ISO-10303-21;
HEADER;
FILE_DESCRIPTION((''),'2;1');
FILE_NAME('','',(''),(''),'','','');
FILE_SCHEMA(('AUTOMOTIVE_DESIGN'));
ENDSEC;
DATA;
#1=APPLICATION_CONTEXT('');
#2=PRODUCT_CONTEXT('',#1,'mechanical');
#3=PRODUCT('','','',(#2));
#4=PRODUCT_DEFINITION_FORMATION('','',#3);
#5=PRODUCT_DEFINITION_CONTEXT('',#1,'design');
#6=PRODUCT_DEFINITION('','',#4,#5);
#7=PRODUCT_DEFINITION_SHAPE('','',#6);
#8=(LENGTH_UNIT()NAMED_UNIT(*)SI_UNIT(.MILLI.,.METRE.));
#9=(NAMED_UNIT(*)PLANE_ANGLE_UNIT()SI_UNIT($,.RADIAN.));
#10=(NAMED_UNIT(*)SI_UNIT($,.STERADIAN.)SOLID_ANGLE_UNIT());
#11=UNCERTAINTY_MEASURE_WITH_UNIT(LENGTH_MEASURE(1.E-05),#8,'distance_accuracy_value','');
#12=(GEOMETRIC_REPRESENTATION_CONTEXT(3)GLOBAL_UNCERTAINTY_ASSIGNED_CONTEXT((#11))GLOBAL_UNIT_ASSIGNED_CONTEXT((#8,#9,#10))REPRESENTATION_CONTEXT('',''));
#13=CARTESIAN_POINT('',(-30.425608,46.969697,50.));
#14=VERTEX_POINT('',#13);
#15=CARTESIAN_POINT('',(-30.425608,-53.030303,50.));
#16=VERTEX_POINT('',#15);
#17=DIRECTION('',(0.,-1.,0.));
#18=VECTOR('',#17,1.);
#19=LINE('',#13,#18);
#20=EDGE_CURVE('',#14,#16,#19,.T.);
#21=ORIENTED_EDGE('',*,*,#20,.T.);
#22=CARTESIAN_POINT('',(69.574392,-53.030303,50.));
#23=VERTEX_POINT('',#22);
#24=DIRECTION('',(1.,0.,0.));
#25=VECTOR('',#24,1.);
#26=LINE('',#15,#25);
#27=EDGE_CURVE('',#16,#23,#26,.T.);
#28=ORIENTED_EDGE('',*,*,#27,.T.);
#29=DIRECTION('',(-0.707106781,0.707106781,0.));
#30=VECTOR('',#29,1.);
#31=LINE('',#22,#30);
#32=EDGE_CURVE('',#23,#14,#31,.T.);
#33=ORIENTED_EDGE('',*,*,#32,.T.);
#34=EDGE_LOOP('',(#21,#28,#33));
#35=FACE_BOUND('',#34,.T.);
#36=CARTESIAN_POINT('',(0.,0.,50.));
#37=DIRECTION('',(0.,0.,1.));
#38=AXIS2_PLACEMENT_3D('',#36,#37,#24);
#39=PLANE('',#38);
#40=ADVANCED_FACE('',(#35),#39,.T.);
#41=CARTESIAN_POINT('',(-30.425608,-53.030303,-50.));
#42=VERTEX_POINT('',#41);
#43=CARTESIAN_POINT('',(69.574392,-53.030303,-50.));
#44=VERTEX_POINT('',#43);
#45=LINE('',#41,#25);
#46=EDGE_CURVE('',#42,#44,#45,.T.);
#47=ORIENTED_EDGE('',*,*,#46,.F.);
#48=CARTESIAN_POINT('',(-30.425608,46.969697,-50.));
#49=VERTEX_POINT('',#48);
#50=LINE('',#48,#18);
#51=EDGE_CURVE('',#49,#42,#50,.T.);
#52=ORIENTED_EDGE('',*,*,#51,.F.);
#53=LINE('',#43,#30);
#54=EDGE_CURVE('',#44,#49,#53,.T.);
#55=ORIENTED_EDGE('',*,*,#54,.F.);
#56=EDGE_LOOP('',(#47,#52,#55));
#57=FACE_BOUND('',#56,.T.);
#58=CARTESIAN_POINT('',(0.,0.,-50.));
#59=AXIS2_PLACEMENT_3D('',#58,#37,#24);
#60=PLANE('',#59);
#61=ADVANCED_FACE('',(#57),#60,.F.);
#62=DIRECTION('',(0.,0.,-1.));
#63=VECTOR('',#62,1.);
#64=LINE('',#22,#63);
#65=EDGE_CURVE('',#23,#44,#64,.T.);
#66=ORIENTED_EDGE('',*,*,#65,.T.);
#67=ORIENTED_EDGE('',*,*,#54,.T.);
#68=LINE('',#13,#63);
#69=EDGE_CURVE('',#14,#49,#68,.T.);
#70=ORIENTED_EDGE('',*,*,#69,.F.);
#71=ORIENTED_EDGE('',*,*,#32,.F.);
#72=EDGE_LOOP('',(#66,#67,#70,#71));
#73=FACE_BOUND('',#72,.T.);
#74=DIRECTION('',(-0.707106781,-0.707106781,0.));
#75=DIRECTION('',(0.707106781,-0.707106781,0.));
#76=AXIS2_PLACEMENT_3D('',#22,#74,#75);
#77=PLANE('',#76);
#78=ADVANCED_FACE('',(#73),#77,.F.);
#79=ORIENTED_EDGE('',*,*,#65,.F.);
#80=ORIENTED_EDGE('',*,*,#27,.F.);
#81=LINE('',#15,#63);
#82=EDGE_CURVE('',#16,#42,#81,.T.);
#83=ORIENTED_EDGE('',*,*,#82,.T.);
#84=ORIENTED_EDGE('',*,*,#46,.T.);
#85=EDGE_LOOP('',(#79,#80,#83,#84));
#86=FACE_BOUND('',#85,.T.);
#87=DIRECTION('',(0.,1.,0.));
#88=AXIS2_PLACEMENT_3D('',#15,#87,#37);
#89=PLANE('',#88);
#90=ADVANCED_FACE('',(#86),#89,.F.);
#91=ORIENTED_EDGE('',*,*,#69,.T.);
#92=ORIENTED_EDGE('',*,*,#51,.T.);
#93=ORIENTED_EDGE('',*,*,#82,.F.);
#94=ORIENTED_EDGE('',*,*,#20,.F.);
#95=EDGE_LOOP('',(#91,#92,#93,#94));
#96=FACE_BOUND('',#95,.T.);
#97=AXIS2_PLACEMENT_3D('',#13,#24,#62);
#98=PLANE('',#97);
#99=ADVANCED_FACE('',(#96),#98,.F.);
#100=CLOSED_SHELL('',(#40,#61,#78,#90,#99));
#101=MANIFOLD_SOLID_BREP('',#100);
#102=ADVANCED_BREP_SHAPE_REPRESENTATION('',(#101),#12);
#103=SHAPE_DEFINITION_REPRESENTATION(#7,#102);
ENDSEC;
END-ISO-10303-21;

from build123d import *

# Parameters (mm, degrees)
EXTRUDE_1_DEPTH = 50


with BuildPart() as part:
    # 草图1 → 凸台-拉伸1 (new, symmetric)
    with BuildSketch(Plane.XY):
        Polygon((-30.42560832, 46.96969697), (-30.42560832, -53.03030303), (69.57439168, -53.03030303), align=None)
    extrude(amount=EXTRUDE_1_DEPTH, both=True)


solid = part.part
